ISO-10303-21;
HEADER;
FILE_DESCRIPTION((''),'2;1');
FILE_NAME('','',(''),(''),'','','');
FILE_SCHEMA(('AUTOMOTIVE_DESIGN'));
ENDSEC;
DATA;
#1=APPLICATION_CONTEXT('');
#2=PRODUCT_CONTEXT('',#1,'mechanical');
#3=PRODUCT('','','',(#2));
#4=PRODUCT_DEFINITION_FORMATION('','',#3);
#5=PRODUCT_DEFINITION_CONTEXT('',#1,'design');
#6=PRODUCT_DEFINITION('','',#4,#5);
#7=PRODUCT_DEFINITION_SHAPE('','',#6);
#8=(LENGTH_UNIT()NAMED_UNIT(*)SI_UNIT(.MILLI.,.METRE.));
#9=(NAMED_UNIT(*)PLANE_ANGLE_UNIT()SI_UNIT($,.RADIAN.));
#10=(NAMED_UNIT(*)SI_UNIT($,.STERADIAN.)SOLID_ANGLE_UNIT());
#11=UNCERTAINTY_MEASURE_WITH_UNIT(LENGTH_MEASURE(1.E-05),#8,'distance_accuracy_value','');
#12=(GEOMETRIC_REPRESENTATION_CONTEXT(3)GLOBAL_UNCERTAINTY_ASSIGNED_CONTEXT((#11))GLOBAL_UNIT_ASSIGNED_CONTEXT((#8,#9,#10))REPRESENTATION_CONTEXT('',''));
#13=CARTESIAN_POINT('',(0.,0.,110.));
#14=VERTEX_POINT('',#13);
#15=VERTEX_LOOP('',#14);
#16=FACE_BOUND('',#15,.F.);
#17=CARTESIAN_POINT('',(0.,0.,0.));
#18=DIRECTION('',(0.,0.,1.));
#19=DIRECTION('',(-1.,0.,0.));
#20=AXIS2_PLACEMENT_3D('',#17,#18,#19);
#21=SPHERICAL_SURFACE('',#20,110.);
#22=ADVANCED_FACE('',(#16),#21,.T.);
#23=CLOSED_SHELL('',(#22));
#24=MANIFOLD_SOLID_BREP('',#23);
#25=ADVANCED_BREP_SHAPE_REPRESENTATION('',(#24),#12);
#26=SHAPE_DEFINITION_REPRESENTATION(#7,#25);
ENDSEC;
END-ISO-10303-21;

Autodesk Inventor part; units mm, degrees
ref_plane "XZ Plane" through (0, 0, 0) normal (0, 1, 0) x (-1, 0, 0)
ref_plane "XY Plane" through (0, 0, 0) normal (0, 0, 1) x (1, 0, 0)
sketch "Sketch1" plane through (0, 0, 0) normal (0, 1, 0) x (-1, 0, 0)
  circle A0 centre (0, 0) radius 110 construction
  line L0 (0, 110) -> (0, -110)
  arc A1 (0, -110) -> (0, 110) centre (0, 0) ccw
  dimension "d0" = 220
revolve "Revolution1" add sketch "Sketch1" angle 360 about axis through (0, 0, 110) along (0, 0, -1)
ref_plane "Work Plane1" through (-110, 0, 0) normal (1, 0, 0) x (0, 1, 0)
sketch "Sketch2" plane through (-110, 0, 0) normal (1, 0, 0) x (0, 1, 0)
  line L0 (-42.6714, -69.5221) -> (-42.6714, 68.6646) construction
  line L1 (-42.6714, 68.6646) -> (18.4762, 68.6646) construction
  line L2 (18.4762, 68.6646) -> (18.4762, -69.5221) construction
  line L3 (18.4762, -69.5221) -> (-42.6714, -69.5221) construction
  point P0 (0, 0)
decal "Decal1"
properties part number "soccer ball"
